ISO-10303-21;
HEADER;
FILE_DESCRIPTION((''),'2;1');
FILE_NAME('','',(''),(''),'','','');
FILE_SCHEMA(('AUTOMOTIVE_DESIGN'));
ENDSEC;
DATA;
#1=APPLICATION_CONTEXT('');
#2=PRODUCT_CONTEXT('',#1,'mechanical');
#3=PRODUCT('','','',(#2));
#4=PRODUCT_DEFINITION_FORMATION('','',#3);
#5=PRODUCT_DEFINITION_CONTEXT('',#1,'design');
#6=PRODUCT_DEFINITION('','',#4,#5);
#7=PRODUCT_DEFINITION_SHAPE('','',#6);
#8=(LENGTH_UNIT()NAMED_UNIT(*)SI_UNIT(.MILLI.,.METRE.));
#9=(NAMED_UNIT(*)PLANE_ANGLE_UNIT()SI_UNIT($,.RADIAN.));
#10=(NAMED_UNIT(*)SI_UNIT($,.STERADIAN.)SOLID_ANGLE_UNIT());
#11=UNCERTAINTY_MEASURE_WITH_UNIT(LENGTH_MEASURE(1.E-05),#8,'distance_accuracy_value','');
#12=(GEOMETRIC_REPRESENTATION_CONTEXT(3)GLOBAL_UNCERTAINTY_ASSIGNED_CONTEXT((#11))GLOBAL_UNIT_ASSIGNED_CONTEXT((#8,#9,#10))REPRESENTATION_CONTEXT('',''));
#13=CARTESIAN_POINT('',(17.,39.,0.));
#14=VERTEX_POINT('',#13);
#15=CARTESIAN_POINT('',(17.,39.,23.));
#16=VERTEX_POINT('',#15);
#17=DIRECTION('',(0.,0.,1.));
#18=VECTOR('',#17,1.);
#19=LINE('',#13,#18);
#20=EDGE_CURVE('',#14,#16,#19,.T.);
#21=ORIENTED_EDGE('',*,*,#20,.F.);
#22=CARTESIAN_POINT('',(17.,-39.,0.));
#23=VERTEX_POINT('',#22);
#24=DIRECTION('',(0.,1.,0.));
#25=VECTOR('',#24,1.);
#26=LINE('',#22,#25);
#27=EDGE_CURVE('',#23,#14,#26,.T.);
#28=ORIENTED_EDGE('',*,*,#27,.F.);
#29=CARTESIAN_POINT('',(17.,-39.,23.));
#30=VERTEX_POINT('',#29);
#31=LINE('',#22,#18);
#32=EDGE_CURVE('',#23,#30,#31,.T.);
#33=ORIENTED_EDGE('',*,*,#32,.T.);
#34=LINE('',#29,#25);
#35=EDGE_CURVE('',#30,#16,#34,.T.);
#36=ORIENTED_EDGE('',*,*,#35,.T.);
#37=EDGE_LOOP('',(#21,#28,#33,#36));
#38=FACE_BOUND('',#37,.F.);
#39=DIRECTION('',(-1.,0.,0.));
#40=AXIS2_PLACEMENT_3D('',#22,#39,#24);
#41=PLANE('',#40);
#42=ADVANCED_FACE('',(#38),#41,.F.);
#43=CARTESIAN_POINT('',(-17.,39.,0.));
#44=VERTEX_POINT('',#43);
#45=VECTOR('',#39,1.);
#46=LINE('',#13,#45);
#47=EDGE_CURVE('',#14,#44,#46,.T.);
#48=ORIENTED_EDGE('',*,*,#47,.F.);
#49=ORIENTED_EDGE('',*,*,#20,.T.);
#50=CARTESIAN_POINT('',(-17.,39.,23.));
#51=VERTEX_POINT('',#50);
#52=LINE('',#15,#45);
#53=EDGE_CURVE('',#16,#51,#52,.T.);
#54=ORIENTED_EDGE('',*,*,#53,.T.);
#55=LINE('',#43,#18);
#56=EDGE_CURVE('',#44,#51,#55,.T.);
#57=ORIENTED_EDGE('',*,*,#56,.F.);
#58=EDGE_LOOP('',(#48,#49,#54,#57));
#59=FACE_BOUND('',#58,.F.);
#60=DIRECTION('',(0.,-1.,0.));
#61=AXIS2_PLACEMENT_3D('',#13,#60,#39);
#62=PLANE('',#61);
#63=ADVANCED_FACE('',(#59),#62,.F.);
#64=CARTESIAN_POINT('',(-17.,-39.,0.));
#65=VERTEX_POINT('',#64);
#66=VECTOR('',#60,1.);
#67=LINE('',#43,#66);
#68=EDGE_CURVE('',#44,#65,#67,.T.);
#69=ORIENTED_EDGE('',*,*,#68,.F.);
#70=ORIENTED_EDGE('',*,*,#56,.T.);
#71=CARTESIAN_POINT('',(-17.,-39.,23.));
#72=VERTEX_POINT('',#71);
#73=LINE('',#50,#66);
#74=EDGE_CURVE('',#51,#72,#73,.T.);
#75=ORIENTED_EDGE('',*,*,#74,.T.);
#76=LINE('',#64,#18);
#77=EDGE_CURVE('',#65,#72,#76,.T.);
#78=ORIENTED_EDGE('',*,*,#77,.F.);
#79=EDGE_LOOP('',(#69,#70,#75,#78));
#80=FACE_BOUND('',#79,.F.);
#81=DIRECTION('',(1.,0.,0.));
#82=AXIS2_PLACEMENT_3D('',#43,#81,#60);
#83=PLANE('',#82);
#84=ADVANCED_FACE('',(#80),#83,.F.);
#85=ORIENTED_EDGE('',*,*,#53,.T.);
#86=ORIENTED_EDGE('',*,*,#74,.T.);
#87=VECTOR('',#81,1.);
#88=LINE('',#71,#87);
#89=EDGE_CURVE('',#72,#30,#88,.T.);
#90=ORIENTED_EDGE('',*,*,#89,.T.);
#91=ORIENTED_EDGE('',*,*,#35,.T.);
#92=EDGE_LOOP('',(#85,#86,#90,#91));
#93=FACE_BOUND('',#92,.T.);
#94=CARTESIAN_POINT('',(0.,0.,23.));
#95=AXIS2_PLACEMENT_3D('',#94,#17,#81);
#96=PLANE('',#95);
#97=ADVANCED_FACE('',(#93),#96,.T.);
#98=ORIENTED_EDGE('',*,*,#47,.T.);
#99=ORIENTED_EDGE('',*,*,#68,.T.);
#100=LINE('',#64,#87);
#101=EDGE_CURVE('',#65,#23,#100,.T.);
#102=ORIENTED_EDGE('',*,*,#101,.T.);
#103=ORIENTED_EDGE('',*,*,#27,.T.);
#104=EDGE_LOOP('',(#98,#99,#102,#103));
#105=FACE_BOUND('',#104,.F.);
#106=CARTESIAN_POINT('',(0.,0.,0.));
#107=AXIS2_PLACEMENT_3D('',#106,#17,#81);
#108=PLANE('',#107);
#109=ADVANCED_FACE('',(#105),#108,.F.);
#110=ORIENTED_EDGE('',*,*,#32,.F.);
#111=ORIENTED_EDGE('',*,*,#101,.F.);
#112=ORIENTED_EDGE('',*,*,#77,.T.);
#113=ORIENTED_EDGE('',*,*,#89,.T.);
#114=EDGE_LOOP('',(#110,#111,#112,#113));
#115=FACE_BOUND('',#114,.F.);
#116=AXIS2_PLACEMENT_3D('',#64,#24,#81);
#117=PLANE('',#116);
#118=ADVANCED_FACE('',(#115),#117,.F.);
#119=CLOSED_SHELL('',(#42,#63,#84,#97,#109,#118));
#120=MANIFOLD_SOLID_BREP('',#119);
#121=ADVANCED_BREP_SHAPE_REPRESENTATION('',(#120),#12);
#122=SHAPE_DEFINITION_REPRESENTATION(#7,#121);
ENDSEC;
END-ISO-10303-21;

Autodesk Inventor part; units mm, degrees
ref_plane "YZ Plane" through (0, 0, 0) normal (1, 0, 0) x (0, 1, 0)
ref_plane "XZ Plane" through (0, 0, 0) normal (0, 1, 0) x (-1, 0, 0)
ref_plane "XY Plane" through (0, 0, 0) normal (0, 0, 1) x (1, 0, 0)
sketch "Sketch1" plane through (0, 0, 0) normal (0, 0, 1) x (1, 0, 0)
  line L0 (17, 39) -> (-17, 39)
  line L1 (-17, 39) -> (-17, -39)
  line L2 (-17, -39) -> (17, -39)
  line L3 (17, -39) -> (17, 39)
  line L4 (17, 0) -> (-17, 0) construction
  line L5 (0, 39) -> (0, -39) construction
  point P0 (0, 0)
  point P1 (0, 0)
  dimension "d0" = 34
  dimension "d1" = 78
extrude "Extrusion1" add sketch "Sketch1" along normal blind 23
properties part number "new battery"
